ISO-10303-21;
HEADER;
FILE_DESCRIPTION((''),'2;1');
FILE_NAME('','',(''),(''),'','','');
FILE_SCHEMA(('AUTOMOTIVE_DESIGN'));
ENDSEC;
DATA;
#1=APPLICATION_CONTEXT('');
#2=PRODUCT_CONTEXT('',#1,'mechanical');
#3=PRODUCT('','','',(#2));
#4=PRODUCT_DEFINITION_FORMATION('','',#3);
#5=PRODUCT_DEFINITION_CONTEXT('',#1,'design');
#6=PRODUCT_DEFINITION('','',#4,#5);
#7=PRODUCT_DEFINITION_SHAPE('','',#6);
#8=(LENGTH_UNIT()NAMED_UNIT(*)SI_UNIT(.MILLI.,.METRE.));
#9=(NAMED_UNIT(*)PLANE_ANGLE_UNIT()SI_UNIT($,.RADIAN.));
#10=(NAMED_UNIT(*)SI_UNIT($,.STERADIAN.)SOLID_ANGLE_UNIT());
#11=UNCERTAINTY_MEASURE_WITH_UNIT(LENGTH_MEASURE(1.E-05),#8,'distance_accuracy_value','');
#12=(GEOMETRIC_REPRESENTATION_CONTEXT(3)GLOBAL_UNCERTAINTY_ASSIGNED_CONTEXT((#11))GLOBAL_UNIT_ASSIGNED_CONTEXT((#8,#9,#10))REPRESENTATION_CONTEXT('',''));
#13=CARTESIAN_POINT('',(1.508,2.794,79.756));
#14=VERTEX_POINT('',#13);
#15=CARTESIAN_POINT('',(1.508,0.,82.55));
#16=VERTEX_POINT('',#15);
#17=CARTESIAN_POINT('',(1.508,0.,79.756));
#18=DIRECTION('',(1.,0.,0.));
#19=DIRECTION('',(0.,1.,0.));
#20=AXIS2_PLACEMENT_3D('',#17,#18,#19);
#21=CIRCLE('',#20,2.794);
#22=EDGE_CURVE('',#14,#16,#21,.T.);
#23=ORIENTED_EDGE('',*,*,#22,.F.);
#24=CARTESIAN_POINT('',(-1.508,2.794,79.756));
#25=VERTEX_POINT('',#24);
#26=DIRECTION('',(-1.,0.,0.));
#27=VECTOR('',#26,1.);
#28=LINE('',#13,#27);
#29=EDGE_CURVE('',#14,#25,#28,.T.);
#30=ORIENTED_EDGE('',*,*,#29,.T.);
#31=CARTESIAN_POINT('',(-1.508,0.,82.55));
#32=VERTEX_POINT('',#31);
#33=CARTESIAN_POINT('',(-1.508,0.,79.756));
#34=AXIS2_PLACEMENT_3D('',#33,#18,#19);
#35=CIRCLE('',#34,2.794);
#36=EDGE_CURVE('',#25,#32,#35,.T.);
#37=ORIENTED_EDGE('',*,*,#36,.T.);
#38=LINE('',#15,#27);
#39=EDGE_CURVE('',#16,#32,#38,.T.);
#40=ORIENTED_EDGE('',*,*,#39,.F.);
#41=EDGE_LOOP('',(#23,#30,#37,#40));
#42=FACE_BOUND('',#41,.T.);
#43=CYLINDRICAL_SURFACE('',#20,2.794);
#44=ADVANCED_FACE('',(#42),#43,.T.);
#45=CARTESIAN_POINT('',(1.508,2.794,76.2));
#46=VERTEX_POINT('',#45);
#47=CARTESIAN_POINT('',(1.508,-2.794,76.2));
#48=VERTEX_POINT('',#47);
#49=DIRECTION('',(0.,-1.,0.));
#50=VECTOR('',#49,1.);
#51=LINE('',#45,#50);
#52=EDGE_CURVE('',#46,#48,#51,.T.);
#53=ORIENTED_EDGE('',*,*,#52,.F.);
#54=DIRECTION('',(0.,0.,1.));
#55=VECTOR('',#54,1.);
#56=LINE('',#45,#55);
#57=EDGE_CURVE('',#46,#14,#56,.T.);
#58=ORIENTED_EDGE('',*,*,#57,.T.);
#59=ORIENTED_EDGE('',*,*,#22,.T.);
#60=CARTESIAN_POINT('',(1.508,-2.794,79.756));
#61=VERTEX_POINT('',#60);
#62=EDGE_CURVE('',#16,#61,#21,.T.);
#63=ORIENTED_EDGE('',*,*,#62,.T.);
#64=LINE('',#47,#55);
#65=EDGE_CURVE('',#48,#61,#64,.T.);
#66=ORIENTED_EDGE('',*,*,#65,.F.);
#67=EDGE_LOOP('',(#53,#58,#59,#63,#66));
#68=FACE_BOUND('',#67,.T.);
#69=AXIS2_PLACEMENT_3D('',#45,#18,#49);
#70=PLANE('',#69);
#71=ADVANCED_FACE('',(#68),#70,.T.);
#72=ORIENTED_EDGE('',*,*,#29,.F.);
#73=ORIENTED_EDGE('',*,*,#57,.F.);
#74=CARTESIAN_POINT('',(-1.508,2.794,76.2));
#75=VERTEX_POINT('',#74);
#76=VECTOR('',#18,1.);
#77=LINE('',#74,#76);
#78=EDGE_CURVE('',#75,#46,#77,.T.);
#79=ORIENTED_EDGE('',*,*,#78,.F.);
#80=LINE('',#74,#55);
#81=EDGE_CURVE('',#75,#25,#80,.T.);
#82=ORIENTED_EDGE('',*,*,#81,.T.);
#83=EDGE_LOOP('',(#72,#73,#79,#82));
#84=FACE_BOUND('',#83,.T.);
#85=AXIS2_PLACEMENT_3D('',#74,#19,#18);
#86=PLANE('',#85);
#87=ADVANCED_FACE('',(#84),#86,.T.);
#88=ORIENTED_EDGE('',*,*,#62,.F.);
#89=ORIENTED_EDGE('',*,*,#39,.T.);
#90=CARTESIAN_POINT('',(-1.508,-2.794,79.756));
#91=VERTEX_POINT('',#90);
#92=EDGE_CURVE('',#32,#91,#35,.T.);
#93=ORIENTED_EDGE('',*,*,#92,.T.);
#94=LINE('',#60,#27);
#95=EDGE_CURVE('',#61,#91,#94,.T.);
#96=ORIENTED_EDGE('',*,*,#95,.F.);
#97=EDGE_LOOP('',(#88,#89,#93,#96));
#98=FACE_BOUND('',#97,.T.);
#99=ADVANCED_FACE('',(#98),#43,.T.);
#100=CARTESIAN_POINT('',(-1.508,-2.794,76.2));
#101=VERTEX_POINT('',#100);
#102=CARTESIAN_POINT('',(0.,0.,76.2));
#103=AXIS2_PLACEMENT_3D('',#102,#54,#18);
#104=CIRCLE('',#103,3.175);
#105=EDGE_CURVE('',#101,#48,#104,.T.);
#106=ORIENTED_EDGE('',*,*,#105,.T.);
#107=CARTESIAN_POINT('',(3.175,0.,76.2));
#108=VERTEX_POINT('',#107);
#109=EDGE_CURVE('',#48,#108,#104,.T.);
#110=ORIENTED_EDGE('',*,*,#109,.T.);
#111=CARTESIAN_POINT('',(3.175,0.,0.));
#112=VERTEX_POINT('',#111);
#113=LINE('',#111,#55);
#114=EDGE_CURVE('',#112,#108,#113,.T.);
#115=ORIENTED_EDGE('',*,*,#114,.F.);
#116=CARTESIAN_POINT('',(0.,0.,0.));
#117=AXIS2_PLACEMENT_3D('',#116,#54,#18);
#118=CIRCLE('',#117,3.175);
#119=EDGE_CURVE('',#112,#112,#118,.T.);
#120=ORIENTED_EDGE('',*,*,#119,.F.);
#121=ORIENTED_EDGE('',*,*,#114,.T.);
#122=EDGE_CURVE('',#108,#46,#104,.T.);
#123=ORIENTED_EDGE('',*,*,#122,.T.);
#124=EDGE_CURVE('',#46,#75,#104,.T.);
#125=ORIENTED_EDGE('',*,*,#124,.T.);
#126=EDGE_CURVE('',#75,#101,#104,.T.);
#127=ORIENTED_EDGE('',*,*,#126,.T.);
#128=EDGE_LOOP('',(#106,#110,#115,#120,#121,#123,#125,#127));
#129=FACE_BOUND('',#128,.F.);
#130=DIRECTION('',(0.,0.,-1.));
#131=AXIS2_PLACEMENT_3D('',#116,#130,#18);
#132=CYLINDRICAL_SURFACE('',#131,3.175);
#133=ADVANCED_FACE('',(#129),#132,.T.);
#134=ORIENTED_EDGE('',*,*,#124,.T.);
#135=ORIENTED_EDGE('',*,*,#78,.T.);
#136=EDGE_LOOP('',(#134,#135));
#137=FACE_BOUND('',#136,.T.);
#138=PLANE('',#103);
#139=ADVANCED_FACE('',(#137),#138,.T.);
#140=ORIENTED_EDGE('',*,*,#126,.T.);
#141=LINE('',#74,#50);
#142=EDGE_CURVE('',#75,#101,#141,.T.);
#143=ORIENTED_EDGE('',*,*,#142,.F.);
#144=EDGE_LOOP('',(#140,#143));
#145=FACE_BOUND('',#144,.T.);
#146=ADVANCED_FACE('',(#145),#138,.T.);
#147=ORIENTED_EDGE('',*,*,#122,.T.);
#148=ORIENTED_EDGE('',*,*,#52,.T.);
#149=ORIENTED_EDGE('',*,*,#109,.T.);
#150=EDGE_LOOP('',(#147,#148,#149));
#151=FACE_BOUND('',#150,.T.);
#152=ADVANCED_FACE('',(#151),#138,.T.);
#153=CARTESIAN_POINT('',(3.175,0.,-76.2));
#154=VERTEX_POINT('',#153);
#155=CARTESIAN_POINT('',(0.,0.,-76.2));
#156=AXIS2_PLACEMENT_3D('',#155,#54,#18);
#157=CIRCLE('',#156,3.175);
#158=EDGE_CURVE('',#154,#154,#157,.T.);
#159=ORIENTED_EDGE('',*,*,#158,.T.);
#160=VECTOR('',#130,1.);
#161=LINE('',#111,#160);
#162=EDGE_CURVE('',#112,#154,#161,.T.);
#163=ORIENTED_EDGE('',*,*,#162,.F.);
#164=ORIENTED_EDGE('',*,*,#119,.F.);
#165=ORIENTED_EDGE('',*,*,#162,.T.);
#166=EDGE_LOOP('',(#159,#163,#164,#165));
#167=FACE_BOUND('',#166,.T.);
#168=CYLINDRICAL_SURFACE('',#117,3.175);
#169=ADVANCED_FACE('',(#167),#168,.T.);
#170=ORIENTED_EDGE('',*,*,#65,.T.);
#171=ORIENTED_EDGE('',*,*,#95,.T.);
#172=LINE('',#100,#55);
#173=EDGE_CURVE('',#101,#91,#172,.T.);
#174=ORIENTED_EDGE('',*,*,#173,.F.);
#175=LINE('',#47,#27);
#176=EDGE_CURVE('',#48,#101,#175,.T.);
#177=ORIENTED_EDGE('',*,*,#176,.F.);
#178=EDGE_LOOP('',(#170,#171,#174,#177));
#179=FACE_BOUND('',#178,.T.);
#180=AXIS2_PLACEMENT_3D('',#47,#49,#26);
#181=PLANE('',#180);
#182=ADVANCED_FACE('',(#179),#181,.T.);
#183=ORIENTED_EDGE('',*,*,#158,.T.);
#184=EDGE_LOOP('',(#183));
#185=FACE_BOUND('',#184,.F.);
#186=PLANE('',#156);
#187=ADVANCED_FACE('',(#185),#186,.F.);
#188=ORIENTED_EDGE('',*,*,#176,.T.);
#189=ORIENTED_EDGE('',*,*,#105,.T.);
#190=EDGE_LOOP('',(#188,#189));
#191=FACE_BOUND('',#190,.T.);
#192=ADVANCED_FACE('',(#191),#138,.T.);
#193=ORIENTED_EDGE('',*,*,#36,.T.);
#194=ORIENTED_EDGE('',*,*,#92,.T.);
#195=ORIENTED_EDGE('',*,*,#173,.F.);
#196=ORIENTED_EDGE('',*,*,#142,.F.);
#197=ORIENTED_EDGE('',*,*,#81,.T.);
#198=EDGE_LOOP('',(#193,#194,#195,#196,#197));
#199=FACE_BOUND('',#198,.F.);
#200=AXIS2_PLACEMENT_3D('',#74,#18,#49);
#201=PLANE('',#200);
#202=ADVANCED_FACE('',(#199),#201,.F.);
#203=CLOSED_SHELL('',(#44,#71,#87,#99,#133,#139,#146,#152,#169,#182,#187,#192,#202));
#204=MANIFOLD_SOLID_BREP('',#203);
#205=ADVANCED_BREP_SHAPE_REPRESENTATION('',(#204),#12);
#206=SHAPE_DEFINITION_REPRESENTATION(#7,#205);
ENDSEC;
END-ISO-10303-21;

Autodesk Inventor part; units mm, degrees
ref_plane "YZ Plane" through (0, 0, 0) normal (1, 0, 0) x (0, 1, 0)
ref_plane "XZ Plane" through (0, 0, 0) normal (0, 1, 0) x (-1, 0, 0)
ref_plane "XY Plane" through (0, 0, 0) normal (0, 0, 1) x (1, 0, 0)
sketch "Sketch1" plane through (0, 0, 0) normal (0, 0, 1) x (1, 0, 0)
  circle A0 centre (0, 0) radius 3.175
  dimension "d0" = 6.35
extrude "Extrusion1" add sketch "Sketch1" along normal mid plane 152.4
sketch "Sketch2" plane through (0, 0, 76.2) normal (0, 0, 1) x (1, 0, 0)
  circle A0 centre (0, 0) radius 3.175 projected
  line L0 (-1.508, 2.794) -> (-1.508, -2.794)
  line L1 (1.508, 2.794) -> (1.508, -2.794)
  line L2 (1.508, -2.794) -> (-1.508, -2.794)
  line L3 (-1.508, 2.794) -> (1.508, 2.794)
  dimension "d3" = 5.588
extrude "Extrusion2" add sketch "Sketch2" along normal blind 6.35 contours L1 L2 L0 L3
sketch "Sketch3" plane through (1.508, -2.794, 76.2) normal (1, 0, 0) x (0, 0, -1)
  line L0 (-6.35, 5.588) -> (-6.35, 0) projected
  line L1 (0, 0) -> (-6.35, 0) projected
  line L2 (0, 5.588) -> (0, 0) projected
  line L3 (0, 5.588) -> (-6.35, 5.588) projected
  arc A0 (-3.556, 5.588) -> (-3.556, 0) centre (-3.556, 2.794) ccw
  point P0 (76.2, 2.794)
extrude "Extrusion3" cut sketch "Sketch3" against normal blind 6.35 contours L3 A0 L0 | A0 L1 L0
properties part number "piston core"
